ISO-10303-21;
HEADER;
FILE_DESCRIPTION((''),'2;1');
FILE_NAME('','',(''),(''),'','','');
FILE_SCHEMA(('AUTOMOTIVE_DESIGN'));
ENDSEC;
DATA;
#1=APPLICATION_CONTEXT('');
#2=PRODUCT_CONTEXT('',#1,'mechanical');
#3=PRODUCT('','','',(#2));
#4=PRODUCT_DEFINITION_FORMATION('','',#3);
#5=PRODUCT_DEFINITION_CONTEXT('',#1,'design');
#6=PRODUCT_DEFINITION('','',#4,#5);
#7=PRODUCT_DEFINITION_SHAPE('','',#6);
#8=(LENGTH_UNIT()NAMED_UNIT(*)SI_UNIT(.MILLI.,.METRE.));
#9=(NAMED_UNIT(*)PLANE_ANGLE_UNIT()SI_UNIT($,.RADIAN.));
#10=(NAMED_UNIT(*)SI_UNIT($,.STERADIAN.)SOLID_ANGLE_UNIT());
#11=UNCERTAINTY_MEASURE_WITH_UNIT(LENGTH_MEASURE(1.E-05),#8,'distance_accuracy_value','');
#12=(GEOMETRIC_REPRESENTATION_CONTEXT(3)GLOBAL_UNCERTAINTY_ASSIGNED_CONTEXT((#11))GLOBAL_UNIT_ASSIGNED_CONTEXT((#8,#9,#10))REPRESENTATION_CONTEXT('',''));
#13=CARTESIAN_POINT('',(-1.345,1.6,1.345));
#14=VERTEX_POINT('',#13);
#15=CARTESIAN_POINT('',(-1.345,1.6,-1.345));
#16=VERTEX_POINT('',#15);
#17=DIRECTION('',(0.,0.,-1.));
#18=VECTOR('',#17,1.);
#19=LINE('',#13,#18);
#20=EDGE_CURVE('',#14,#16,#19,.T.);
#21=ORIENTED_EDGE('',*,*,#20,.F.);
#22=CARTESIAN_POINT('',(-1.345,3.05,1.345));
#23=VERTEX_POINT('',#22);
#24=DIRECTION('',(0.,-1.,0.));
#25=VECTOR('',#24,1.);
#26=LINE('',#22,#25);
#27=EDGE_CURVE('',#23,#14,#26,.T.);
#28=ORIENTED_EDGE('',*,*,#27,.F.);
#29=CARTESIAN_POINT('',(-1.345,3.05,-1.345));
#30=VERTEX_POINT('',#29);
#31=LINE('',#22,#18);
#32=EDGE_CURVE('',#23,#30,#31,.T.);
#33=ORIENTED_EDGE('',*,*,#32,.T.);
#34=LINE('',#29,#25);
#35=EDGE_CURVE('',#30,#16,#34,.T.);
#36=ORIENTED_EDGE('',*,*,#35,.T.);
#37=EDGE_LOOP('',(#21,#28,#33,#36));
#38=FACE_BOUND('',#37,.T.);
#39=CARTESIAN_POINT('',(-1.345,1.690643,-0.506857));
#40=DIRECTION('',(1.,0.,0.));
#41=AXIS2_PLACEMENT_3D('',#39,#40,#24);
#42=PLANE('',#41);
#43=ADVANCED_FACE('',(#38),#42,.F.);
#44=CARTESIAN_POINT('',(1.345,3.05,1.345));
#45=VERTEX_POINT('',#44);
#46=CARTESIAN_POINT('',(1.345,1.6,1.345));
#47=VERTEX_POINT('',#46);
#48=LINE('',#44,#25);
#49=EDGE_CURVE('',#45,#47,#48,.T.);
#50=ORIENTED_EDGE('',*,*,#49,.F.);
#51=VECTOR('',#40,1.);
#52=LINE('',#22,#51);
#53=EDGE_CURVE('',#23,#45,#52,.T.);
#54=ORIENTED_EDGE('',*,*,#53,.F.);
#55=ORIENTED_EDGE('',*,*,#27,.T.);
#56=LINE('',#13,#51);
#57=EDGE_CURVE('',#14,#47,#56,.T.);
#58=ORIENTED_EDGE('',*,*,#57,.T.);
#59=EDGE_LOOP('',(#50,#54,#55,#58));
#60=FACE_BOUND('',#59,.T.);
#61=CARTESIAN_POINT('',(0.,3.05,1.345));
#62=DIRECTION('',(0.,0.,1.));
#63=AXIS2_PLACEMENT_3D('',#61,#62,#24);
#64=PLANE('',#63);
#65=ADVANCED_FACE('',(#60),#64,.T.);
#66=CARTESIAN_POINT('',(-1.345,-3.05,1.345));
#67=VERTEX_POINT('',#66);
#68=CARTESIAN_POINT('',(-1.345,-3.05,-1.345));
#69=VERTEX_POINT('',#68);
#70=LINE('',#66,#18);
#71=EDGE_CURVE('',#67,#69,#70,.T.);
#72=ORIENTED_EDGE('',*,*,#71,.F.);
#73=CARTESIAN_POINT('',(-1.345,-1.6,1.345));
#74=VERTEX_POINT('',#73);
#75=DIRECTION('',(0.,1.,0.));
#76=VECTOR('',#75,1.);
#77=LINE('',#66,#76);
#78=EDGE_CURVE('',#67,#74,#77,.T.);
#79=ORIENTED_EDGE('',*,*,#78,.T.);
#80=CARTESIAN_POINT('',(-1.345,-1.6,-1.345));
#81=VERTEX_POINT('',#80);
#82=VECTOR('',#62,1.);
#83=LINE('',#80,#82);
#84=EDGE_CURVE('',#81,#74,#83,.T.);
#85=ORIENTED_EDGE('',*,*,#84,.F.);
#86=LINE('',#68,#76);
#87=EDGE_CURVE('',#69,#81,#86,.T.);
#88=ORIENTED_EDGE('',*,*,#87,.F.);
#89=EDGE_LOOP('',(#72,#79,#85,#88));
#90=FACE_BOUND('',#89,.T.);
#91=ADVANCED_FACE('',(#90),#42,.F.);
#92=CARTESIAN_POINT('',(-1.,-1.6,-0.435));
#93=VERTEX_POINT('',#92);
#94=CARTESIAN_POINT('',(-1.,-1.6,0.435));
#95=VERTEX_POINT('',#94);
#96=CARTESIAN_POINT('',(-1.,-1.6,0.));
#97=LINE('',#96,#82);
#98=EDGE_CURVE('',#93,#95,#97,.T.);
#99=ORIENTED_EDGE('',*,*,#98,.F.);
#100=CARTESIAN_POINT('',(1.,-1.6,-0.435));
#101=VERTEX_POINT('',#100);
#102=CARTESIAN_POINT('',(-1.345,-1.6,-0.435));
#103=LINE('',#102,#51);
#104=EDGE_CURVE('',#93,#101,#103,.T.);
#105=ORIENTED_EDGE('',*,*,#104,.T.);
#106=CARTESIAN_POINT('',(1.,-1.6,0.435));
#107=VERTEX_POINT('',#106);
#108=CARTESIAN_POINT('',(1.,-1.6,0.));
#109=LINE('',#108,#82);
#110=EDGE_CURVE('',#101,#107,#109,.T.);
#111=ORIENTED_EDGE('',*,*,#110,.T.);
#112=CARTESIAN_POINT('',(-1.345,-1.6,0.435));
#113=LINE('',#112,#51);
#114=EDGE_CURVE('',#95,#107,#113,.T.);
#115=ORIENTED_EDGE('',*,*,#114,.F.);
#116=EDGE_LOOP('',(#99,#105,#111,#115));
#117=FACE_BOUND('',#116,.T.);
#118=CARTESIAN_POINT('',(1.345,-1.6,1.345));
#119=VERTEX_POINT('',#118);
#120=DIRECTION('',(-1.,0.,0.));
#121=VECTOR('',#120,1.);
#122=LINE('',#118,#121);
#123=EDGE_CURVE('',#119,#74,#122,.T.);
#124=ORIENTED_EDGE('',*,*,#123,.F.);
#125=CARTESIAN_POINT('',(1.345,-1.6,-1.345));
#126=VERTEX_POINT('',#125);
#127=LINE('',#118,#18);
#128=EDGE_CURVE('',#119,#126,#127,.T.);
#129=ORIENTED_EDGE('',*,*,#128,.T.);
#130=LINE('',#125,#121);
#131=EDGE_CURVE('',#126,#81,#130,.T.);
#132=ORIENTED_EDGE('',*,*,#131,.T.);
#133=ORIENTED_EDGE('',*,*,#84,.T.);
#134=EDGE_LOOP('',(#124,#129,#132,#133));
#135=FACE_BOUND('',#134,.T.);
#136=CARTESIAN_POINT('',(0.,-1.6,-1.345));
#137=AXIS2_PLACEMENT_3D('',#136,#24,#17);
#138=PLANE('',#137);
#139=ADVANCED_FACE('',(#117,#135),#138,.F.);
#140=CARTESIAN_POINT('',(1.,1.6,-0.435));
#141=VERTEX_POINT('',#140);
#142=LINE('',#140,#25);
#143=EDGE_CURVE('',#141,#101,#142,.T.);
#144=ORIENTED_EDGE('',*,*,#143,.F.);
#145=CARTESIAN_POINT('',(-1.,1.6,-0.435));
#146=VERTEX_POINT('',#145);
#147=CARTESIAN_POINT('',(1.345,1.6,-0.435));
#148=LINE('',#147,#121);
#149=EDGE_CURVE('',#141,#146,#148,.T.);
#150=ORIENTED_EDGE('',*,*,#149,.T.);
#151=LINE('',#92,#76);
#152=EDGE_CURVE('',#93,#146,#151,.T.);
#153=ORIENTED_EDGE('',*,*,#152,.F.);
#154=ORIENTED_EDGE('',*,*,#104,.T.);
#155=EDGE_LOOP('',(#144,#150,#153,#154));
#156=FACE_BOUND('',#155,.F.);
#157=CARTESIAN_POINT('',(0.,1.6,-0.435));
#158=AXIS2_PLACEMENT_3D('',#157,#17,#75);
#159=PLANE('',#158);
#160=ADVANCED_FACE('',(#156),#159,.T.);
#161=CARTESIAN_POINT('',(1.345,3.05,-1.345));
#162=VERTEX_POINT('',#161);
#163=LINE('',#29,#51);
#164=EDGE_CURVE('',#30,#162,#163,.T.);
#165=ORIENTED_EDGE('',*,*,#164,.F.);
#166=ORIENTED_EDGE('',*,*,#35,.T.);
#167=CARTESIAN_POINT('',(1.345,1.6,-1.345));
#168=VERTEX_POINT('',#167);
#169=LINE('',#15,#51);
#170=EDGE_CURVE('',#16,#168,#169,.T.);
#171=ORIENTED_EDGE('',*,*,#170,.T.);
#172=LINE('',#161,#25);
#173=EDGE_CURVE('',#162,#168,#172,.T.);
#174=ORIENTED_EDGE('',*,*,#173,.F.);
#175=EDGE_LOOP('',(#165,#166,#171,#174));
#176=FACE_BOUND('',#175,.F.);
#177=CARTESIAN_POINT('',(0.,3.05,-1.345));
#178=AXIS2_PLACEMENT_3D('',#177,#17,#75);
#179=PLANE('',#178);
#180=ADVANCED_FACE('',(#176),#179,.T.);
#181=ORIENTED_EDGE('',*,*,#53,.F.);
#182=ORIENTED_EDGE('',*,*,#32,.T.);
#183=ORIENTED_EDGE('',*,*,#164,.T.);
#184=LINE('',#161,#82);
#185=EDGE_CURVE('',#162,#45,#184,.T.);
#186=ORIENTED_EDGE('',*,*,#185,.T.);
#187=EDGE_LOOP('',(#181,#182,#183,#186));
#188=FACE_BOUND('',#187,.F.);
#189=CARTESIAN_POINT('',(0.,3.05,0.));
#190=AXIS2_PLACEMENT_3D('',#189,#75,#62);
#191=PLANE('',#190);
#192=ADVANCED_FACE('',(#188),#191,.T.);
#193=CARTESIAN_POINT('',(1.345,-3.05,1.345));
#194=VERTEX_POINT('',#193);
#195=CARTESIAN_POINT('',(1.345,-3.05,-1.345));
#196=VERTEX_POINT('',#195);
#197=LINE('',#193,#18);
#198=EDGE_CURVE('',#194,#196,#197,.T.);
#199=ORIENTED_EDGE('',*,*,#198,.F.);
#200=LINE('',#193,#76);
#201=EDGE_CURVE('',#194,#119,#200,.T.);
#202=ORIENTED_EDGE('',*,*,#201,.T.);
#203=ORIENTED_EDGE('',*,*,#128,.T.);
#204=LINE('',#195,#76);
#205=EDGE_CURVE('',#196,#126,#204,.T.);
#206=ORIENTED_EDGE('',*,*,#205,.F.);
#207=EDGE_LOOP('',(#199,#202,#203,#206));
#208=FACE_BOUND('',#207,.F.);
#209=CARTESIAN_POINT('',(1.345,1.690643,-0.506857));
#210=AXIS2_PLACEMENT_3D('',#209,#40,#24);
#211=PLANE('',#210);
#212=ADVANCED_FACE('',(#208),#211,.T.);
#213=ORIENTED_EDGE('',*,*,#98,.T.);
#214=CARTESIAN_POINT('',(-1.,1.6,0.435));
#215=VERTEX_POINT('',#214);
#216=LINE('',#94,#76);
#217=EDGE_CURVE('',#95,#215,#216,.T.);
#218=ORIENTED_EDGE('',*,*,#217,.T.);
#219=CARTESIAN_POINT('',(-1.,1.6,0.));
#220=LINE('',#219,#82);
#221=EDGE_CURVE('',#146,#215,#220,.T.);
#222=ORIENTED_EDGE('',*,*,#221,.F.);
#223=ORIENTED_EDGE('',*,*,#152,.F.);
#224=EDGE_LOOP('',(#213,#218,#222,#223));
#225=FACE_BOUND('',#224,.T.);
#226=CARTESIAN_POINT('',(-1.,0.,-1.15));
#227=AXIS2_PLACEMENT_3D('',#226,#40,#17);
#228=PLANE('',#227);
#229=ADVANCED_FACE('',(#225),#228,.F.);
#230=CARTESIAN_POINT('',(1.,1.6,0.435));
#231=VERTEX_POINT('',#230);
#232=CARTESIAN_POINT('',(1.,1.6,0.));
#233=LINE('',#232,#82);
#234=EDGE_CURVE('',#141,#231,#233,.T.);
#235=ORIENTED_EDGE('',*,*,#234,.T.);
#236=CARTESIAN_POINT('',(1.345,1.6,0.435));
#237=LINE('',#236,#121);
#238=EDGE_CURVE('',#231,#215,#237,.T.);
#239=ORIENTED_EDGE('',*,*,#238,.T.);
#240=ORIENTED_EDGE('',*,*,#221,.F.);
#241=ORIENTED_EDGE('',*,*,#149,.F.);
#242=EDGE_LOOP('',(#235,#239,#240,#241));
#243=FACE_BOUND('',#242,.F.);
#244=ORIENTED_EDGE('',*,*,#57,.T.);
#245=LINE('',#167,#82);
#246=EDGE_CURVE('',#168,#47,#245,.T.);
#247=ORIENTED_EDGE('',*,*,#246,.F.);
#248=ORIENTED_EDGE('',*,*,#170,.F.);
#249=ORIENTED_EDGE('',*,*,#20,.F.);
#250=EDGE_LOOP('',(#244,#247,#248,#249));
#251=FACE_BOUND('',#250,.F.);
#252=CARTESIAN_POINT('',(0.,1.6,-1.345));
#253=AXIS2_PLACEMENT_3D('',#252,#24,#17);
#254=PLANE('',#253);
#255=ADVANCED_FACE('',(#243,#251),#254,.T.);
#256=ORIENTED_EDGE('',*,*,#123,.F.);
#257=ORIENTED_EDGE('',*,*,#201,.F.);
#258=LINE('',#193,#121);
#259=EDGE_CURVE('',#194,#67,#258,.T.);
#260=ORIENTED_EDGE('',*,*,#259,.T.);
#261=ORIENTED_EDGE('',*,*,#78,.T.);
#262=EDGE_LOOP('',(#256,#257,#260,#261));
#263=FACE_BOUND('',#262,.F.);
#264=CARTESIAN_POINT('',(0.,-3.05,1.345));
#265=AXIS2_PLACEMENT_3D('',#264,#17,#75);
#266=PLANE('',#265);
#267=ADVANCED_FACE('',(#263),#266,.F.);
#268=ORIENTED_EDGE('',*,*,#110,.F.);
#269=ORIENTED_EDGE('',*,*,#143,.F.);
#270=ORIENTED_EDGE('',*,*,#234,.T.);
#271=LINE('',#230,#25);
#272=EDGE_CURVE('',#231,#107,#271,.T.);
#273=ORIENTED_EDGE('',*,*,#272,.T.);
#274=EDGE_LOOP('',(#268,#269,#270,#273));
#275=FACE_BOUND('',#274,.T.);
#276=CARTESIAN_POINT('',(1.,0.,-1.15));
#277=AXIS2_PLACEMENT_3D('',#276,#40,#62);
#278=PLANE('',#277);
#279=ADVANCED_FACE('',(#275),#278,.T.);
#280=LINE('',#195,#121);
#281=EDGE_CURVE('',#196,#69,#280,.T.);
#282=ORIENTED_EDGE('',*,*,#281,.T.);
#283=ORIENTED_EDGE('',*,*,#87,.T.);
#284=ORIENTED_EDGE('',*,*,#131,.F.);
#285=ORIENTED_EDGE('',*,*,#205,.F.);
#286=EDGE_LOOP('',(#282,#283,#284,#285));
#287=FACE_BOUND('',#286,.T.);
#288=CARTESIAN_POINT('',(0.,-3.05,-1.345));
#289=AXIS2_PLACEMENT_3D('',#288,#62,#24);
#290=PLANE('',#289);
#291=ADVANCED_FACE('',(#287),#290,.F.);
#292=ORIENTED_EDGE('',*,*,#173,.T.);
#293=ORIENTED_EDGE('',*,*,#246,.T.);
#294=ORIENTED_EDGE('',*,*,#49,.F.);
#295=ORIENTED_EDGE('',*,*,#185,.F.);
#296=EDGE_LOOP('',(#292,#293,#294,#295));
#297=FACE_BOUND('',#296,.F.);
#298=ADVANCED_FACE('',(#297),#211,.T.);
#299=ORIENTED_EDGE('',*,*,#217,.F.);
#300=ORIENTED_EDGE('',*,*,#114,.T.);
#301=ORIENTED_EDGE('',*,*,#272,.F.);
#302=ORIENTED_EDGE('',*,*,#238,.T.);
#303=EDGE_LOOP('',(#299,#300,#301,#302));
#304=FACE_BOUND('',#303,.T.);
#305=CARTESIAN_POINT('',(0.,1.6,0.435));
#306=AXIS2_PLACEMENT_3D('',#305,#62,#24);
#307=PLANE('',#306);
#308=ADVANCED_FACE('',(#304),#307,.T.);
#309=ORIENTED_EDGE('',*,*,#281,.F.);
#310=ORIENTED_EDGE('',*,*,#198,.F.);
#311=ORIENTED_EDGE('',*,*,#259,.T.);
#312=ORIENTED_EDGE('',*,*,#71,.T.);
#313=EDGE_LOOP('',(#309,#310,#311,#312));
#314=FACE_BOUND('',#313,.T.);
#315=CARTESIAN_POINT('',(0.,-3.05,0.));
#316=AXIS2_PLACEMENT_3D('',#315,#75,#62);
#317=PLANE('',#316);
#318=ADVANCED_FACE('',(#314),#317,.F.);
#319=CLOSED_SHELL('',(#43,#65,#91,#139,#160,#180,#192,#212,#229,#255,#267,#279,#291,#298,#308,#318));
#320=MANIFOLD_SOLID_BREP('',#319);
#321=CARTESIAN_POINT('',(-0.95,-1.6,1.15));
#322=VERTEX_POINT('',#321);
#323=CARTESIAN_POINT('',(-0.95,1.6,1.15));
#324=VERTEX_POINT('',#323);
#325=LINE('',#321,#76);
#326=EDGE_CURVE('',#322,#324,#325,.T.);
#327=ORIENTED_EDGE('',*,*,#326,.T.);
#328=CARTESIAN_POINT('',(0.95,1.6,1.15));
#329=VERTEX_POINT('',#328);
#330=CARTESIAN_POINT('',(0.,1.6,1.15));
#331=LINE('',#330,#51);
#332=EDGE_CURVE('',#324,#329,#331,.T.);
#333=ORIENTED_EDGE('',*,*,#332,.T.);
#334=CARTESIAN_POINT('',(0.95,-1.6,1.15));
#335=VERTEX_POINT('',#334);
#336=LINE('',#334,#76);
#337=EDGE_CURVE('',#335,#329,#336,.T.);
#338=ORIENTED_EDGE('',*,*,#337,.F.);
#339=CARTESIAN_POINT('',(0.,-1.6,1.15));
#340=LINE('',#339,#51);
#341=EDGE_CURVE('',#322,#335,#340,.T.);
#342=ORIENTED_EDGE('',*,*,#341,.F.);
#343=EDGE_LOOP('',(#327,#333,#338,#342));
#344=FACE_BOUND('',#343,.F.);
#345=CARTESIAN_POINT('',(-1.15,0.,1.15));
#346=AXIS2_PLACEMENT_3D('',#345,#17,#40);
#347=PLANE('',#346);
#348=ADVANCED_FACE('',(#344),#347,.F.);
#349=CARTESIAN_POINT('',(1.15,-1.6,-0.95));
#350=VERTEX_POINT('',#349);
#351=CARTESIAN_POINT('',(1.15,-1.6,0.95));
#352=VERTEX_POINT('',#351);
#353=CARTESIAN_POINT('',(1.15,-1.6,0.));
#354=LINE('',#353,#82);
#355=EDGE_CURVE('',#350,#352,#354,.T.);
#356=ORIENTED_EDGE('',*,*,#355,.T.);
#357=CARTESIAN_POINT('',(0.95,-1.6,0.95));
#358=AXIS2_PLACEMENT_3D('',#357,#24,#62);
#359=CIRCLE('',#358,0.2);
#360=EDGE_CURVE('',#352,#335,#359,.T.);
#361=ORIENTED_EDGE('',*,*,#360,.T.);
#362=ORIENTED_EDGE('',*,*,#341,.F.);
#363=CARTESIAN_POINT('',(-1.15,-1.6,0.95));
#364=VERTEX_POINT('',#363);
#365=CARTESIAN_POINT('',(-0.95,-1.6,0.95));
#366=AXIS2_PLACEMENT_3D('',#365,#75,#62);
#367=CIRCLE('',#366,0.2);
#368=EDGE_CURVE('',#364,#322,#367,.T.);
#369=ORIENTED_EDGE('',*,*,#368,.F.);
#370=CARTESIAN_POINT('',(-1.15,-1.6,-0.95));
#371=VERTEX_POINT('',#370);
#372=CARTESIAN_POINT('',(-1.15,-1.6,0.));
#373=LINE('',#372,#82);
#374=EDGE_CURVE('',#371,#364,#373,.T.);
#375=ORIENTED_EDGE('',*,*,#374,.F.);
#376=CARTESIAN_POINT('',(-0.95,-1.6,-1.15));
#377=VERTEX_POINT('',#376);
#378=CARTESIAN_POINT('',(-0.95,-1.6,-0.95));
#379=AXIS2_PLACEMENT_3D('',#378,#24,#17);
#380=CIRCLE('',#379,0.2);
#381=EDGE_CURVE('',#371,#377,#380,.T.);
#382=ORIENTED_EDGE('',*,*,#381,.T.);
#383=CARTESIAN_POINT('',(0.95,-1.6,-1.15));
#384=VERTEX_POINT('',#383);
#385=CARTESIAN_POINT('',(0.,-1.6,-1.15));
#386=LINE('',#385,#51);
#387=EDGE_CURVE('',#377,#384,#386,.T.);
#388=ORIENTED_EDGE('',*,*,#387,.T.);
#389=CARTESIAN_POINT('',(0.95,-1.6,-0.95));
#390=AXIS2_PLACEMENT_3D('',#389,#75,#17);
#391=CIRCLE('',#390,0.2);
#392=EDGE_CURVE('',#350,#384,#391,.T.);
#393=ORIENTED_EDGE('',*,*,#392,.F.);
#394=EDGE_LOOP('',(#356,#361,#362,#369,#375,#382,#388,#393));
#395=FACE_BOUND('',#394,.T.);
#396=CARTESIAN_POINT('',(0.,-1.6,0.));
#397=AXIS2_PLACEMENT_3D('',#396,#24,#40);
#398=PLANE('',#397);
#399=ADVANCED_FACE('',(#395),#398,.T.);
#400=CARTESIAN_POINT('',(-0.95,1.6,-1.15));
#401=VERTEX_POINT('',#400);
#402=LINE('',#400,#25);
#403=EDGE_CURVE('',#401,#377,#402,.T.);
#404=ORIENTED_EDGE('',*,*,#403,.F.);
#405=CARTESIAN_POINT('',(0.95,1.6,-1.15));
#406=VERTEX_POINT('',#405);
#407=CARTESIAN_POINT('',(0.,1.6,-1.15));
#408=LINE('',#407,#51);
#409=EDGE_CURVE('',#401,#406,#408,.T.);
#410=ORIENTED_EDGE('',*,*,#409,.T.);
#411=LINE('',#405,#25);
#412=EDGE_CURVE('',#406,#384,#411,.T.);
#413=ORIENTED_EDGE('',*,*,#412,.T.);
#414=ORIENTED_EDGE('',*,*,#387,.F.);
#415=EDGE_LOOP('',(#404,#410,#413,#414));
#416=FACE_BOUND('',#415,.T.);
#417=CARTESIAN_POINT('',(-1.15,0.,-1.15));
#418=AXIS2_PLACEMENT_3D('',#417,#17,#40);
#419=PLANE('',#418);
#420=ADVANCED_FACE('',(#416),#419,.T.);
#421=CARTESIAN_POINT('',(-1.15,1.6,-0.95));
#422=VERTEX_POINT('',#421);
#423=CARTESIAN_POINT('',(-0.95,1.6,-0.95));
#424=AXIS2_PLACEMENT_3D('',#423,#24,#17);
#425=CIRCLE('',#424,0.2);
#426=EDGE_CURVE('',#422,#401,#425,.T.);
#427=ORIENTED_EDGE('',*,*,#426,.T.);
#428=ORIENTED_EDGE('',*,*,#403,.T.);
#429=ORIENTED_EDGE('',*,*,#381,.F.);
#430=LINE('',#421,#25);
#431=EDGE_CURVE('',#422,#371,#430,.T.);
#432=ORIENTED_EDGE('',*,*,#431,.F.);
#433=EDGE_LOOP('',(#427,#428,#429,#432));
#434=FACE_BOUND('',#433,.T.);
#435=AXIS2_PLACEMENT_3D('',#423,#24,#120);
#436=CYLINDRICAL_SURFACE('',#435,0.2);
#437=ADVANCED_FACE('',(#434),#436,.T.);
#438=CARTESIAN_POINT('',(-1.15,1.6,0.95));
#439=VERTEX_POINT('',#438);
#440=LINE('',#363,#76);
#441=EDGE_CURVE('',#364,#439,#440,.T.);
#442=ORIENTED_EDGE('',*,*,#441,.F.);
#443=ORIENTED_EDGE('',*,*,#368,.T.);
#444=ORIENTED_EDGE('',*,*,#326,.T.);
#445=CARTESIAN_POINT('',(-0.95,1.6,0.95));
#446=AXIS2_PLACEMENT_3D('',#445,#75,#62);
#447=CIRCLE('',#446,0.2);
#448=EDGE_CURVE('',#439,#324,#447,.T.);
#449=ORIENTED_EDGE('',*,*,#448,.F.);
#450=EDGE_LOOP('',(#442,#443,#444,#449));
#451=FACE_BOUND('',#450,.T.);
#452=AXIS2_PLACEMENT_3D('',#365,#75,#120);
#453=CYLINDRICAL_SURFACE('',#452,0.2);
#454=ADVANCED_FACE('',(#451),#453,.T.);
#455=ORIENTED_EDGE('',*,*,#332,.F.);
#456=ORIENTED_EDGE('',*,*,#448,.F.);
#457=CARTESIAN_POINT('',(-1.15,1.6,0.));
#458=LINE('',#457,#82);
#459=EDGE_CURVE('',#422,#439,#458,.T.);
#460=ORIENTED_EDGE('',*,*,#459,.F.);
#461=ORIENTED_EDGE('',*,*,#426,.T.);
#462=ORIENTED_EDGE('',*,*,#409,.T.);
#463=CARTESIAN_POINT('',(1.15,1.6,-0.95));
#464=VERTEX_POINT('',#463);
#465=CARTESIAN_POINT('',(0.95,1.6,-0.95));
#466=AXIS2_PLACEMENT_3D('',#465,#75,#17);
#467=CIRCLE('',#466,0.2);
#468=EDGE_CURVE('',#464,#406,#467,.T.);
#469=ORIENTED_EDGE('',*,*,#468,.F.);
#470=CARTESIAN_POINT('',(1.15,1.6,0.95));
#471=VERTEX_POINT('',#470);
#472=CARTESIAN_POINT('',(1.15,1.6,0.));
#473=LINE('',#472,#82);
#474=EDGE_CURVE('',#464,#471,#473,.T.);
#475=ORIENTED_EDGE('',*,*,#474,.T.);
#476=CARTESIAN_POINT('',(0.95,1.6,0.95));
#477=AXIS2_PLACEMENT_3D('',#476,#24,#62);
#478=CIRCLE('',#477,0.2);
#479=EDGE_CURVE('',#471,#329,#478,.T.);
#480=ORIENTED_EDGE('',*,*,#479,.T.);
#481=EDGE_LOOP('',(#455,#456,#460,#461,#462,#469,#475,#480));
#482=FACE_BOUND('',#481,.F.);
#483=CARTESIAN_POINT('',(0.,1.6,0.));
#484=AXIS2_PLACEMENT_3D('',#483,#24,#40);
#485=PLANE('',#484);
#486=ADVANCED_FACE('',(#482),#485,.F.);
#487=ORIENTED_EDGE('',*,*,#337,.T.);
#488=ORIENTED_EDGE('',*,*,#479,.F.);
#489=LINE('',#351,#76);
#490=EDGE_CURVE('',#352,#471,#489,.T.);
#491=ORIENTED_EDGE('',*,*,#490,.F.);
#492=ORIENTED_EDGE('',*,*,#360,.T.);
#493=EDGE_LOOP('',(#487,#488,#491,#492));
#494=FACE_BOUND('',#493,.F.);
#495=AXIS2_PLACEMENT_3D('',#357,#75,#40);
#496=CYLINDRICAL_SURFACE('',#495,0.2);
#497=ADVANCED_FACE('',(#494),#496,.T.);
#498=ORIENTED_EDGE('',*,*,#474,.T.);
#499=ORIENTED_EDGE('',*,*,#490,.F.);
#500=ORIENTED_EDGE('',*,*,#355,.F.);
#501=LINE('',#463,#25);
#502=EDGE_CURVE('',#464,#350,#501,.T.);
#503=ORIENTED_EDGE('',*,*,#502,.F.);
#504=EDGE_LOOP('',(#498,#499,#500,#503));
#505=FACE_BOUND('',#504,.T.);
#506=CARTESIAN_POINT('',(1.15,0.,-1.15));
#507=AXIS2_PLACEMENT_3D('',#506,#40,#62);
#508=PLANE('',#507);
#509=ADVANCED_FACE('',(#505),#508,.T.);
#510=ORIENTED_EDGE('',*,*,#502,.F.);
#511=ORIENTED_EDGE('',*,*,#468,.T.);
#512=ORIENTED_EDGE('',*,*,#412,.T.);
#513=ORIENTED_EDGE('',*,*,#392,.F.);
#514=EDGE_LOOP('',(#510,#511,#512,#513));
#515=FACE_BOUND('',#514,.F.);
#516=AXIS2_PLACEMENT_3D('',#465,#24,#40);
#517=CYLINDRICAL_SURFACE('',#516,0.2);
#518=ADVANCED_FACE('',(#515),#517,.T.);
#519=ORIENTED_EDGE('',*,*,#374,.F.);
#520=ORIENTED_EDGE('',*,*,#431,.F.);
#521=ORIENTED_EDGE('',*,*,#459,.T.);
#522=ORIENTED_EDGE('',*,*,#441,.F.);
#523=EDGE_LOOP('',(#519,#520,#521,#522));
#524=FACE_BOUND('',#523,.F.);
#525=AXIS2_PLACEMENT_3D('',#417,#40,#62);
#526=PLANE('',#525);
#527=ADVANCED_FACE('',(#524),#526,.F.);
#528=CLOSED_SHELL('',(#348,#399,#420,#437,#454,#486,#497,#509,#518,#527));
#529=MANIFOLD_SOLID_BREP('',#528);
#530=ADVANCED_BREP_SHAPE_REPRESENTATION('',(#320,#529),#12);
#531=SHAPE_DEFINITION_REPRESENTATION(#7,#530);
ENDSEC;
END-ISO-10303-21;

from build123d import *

# Parameters (mm, degrees)
SKETCH_W                   = 2.3
SKETCH_H                   = 2.3
PAD_DEPTH                  = 1.6
FILLET_R                   = 0.2
PAD001_DEPTH               = 1.345
PAD001_MIRRORED_2_DEPTH    = 1.345
SKETCH002_W                = 0.4
SKETCH002_H                = 2.3
POCKET_DEPTH               = 1.6
SKETCH002_MIRRORED002_2_W  = 0.4
SKETCH002_MIRRORED002_2_H  = 2.3
POCKET_MIRRORED002_2_DEPTH = 1.6


with BuildPart() as body:
    # Sketch → Pad (new body, symmetric)
    with BuildSketch(Plane.XZ):
        Rectangle(SKETCH_W, SKETCH_H)
    extrude(amount=PAD_DEPTH, both=True)

    # Fillet
    fillet_edges = [body.edges().sort_by_distance(p)[0] for p in [
        (-1.15, 0, 1.15),
        (1.15, 0, 1.15),
        (1.15, 0, -1.15),
        (-1.15, 0, -1.15),
    ]]
    fillet(fillet_edges, radius=FILLET_R)


with BuildPart() as body001:
    # Sketch001 → Pad001 (new body, symmetric)
    with BuildSketch(Plane.YZ):
        Polygon((0, 0), (-3.05, 0), (-3.05, 1.345), (-1.6, 1.345), (-1.6, 0.435), (0, 0.435), align=None)
    pad001 = extrude(amount=PAD001_DEPTH, both=True)

    # Sketch001 Mirrored 2 → Pad001 Mirrored 2 (add, symmetric)
    with BuildSketch(Plane(origin=(0, 0, 0), x_dir=(0, -1, 0), z_dir=(-1, 0, 0))):
        Polygon((0, 0), (-3.05, 0), (-3.05, 1.345), (-1.6, 1.345), (-1.6, 0.435), (0, 0.435), align=None)
    pad001_mirrored_2 = extrude(amount=-PAD001_MIRRORED_2_DEPTH, both=True)

    # Mirrored001: Pad001, Pad001 Mirrored 2 across XY
    add(pad001.mirror(Plane.XY))
    add(pad001_mirrored_2.mirror(Plane.XY))

    # Sketch002 → Pocket (cut)
    with BuildSketch(Plane.XZ):
        with Locations((-1.2, 0)):
            Rectangle(SKETCH002_W, SKETCH002_H)
    pocket = extrude(amount=-POCKET_DEPTH, mode=Mode.SUBTRACT)

    # Sketch002 Mirrored002 2 → Pocket Mirrored002 2 (cut)
    with BuildSketch(Plane(origin=(0, 0, 0), x_dir=(-1, 0, 0), z_dir=(0, 1, 0))):
        with Locations((-1.2, 0)):
            Rectangle(SKETCH002_MIRRORED002_2_W, SKETCH002_MIRRORED002_2_H)
    pocket_mirrored002_2 = extrude(amount=POCKET_MIRRORED002_2_DEPTH, mode=Mode.SUBTRACT)

    # Mirrored003: Pocket, Pocket Mirrored002 2 across XZ
    add(pocket.mirror(Plane.XZ), mode=Mode.SUBTRACT)
    add(pocket_mirrored002_2.mirror(Plane.XZ), mode=Mode.SUBTRACT)


solid = Compound([body.part, body001.part])
